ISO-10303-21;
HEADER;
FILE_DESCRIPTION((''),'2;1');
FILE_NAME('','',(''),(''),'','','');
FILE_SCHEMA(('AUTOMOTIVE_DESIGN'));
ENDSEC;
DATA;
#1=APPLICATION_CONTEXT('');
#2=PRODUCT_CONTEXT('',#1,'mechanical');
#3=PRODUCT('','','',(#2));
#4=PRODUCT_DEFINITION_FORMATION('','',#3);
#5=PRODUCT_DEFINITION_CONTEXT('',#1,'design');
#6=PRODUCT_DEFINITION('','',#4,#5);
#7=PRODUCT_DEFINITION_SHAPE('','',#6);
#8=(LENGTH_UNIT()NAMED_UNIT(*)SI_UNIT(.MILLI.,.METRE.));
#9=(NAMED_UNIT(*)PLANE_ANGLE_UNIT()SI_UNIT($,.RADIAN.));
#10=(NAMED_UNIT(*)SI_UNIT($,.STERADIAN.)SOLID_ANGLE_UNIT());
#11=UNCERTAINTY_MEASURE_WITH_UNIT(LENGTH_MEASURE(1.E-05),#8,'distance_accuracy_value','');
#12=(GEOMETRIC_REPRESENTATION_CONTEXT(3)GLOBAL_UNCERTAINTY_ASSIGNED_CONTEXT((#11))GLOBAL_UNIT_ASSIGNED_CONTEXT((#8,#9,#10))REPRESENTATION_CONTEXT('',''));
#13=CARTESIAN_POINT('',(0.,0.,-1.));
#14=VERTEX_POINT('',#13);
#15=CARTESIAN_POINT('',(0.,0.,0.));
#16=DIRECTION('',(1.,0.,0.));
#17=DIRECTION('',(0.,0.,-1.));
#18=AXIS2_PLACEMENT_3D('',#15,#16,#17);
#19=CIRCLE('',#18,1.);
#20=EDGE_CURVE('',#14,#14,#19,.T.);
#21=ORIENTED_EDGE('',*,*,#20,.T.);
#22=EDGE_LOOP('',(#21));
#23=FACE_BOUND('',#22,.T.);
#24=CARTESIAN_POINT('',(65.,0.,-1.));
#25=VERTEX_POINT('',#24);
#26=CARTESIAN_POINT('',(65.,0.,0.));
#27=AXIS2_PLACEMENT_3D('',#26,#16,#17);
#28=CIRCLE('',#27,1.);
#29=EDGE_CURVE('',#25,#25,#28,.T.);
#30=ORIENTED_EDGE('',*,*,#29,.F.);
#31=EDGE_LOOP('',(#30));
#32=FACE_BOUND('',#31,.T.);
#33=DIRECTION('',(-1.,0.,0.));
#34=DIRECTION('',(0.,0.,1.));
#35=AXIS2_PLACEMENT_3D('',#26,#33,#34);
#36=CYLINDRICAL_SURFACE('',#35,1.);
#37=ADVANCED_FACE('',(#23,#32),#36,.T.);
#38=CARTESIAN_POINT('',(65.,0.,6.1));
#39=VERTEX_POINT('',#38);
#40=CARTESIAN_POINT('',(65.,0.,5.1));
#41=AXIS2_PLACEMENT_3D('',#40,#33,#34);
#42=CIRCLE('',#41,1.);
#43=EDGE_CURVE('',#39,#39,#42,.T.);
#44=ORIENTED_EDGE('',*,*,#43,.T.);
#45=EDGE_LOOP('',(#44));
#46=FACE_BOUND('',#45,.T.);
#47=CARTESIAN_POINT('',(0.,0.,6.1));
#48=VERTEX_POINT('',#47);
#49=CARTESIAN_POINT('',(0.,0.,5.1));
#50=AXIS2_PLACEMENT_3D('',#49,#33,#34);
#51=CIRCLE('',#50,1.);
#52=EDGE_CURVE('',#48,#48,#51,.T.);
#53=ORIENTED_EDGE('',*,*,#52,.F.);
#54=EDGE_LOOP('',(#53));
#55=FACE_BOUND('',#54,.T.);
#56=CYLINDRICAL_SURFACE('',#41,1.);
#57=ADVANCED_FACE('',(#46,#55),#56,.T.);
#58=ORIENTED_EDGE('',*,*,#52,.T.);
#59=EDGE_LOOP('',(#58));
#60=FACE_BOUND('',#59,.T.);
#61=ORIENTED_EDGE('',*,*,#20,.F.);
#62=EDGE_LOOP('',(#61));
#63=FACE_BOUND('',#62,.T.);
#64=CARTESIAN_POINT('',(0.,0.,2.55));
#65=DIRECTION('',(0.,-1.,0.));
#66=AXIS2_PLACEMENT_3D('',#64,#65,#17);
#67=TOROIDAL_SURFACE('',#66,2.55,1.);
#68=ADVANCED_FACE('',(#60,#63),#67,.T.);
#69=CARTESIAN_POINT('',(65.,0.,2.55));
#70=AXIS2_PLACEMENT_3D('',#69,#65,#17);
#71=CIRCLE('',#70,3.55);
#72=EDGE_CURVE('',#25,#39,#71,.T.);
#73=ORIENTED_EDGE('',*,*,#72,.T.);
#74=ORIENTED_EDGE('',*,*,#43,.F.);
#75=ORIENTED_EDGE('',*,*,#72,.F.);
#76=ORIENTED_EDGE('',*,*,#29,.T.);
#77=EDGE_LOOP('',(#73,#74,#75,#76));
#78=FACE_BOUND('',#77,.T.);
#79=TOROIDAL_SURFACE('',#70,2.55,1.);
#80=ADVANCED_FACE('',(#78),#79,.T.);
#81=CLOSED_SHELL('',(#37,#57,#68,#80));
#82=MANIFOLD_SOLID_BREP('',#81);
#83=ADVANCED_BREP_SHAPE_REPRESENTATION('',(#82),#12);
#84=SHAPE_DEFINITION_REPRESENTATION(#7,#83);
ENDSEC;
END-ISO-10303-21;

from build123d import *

# Parameters (mm, degrees)
SKETCH2_R = 1


with BuildPart() as part:
    # Sweep1: sweep along a path in Sketch1
    with BuildLine(Plane(origin=(0, 0, 0), x_dir=(1, 0, 0), z_dir=(0, 1, 0))) as sweep1_path:
        Line((0, 0), (65, 0))
        ThreePointArc((65, 0), (67.55, -2.55), (65, -5.1))
        Line((65, -5.1), (0, -5.1))
        ThreePointArc((0, -5.1), (-2.55, -2.55), (0, 0))
    # Sketch2 → Sweep1 (sweep)
    with BuildSketch(Plane(origin=(0, 0, 0), x_dir=(0, 0, -1), z_dir=(1, 0, 0))):
        Circle(SKETCH2_R)
    sweep(path=sweep1_path.line)


solid = part.part
